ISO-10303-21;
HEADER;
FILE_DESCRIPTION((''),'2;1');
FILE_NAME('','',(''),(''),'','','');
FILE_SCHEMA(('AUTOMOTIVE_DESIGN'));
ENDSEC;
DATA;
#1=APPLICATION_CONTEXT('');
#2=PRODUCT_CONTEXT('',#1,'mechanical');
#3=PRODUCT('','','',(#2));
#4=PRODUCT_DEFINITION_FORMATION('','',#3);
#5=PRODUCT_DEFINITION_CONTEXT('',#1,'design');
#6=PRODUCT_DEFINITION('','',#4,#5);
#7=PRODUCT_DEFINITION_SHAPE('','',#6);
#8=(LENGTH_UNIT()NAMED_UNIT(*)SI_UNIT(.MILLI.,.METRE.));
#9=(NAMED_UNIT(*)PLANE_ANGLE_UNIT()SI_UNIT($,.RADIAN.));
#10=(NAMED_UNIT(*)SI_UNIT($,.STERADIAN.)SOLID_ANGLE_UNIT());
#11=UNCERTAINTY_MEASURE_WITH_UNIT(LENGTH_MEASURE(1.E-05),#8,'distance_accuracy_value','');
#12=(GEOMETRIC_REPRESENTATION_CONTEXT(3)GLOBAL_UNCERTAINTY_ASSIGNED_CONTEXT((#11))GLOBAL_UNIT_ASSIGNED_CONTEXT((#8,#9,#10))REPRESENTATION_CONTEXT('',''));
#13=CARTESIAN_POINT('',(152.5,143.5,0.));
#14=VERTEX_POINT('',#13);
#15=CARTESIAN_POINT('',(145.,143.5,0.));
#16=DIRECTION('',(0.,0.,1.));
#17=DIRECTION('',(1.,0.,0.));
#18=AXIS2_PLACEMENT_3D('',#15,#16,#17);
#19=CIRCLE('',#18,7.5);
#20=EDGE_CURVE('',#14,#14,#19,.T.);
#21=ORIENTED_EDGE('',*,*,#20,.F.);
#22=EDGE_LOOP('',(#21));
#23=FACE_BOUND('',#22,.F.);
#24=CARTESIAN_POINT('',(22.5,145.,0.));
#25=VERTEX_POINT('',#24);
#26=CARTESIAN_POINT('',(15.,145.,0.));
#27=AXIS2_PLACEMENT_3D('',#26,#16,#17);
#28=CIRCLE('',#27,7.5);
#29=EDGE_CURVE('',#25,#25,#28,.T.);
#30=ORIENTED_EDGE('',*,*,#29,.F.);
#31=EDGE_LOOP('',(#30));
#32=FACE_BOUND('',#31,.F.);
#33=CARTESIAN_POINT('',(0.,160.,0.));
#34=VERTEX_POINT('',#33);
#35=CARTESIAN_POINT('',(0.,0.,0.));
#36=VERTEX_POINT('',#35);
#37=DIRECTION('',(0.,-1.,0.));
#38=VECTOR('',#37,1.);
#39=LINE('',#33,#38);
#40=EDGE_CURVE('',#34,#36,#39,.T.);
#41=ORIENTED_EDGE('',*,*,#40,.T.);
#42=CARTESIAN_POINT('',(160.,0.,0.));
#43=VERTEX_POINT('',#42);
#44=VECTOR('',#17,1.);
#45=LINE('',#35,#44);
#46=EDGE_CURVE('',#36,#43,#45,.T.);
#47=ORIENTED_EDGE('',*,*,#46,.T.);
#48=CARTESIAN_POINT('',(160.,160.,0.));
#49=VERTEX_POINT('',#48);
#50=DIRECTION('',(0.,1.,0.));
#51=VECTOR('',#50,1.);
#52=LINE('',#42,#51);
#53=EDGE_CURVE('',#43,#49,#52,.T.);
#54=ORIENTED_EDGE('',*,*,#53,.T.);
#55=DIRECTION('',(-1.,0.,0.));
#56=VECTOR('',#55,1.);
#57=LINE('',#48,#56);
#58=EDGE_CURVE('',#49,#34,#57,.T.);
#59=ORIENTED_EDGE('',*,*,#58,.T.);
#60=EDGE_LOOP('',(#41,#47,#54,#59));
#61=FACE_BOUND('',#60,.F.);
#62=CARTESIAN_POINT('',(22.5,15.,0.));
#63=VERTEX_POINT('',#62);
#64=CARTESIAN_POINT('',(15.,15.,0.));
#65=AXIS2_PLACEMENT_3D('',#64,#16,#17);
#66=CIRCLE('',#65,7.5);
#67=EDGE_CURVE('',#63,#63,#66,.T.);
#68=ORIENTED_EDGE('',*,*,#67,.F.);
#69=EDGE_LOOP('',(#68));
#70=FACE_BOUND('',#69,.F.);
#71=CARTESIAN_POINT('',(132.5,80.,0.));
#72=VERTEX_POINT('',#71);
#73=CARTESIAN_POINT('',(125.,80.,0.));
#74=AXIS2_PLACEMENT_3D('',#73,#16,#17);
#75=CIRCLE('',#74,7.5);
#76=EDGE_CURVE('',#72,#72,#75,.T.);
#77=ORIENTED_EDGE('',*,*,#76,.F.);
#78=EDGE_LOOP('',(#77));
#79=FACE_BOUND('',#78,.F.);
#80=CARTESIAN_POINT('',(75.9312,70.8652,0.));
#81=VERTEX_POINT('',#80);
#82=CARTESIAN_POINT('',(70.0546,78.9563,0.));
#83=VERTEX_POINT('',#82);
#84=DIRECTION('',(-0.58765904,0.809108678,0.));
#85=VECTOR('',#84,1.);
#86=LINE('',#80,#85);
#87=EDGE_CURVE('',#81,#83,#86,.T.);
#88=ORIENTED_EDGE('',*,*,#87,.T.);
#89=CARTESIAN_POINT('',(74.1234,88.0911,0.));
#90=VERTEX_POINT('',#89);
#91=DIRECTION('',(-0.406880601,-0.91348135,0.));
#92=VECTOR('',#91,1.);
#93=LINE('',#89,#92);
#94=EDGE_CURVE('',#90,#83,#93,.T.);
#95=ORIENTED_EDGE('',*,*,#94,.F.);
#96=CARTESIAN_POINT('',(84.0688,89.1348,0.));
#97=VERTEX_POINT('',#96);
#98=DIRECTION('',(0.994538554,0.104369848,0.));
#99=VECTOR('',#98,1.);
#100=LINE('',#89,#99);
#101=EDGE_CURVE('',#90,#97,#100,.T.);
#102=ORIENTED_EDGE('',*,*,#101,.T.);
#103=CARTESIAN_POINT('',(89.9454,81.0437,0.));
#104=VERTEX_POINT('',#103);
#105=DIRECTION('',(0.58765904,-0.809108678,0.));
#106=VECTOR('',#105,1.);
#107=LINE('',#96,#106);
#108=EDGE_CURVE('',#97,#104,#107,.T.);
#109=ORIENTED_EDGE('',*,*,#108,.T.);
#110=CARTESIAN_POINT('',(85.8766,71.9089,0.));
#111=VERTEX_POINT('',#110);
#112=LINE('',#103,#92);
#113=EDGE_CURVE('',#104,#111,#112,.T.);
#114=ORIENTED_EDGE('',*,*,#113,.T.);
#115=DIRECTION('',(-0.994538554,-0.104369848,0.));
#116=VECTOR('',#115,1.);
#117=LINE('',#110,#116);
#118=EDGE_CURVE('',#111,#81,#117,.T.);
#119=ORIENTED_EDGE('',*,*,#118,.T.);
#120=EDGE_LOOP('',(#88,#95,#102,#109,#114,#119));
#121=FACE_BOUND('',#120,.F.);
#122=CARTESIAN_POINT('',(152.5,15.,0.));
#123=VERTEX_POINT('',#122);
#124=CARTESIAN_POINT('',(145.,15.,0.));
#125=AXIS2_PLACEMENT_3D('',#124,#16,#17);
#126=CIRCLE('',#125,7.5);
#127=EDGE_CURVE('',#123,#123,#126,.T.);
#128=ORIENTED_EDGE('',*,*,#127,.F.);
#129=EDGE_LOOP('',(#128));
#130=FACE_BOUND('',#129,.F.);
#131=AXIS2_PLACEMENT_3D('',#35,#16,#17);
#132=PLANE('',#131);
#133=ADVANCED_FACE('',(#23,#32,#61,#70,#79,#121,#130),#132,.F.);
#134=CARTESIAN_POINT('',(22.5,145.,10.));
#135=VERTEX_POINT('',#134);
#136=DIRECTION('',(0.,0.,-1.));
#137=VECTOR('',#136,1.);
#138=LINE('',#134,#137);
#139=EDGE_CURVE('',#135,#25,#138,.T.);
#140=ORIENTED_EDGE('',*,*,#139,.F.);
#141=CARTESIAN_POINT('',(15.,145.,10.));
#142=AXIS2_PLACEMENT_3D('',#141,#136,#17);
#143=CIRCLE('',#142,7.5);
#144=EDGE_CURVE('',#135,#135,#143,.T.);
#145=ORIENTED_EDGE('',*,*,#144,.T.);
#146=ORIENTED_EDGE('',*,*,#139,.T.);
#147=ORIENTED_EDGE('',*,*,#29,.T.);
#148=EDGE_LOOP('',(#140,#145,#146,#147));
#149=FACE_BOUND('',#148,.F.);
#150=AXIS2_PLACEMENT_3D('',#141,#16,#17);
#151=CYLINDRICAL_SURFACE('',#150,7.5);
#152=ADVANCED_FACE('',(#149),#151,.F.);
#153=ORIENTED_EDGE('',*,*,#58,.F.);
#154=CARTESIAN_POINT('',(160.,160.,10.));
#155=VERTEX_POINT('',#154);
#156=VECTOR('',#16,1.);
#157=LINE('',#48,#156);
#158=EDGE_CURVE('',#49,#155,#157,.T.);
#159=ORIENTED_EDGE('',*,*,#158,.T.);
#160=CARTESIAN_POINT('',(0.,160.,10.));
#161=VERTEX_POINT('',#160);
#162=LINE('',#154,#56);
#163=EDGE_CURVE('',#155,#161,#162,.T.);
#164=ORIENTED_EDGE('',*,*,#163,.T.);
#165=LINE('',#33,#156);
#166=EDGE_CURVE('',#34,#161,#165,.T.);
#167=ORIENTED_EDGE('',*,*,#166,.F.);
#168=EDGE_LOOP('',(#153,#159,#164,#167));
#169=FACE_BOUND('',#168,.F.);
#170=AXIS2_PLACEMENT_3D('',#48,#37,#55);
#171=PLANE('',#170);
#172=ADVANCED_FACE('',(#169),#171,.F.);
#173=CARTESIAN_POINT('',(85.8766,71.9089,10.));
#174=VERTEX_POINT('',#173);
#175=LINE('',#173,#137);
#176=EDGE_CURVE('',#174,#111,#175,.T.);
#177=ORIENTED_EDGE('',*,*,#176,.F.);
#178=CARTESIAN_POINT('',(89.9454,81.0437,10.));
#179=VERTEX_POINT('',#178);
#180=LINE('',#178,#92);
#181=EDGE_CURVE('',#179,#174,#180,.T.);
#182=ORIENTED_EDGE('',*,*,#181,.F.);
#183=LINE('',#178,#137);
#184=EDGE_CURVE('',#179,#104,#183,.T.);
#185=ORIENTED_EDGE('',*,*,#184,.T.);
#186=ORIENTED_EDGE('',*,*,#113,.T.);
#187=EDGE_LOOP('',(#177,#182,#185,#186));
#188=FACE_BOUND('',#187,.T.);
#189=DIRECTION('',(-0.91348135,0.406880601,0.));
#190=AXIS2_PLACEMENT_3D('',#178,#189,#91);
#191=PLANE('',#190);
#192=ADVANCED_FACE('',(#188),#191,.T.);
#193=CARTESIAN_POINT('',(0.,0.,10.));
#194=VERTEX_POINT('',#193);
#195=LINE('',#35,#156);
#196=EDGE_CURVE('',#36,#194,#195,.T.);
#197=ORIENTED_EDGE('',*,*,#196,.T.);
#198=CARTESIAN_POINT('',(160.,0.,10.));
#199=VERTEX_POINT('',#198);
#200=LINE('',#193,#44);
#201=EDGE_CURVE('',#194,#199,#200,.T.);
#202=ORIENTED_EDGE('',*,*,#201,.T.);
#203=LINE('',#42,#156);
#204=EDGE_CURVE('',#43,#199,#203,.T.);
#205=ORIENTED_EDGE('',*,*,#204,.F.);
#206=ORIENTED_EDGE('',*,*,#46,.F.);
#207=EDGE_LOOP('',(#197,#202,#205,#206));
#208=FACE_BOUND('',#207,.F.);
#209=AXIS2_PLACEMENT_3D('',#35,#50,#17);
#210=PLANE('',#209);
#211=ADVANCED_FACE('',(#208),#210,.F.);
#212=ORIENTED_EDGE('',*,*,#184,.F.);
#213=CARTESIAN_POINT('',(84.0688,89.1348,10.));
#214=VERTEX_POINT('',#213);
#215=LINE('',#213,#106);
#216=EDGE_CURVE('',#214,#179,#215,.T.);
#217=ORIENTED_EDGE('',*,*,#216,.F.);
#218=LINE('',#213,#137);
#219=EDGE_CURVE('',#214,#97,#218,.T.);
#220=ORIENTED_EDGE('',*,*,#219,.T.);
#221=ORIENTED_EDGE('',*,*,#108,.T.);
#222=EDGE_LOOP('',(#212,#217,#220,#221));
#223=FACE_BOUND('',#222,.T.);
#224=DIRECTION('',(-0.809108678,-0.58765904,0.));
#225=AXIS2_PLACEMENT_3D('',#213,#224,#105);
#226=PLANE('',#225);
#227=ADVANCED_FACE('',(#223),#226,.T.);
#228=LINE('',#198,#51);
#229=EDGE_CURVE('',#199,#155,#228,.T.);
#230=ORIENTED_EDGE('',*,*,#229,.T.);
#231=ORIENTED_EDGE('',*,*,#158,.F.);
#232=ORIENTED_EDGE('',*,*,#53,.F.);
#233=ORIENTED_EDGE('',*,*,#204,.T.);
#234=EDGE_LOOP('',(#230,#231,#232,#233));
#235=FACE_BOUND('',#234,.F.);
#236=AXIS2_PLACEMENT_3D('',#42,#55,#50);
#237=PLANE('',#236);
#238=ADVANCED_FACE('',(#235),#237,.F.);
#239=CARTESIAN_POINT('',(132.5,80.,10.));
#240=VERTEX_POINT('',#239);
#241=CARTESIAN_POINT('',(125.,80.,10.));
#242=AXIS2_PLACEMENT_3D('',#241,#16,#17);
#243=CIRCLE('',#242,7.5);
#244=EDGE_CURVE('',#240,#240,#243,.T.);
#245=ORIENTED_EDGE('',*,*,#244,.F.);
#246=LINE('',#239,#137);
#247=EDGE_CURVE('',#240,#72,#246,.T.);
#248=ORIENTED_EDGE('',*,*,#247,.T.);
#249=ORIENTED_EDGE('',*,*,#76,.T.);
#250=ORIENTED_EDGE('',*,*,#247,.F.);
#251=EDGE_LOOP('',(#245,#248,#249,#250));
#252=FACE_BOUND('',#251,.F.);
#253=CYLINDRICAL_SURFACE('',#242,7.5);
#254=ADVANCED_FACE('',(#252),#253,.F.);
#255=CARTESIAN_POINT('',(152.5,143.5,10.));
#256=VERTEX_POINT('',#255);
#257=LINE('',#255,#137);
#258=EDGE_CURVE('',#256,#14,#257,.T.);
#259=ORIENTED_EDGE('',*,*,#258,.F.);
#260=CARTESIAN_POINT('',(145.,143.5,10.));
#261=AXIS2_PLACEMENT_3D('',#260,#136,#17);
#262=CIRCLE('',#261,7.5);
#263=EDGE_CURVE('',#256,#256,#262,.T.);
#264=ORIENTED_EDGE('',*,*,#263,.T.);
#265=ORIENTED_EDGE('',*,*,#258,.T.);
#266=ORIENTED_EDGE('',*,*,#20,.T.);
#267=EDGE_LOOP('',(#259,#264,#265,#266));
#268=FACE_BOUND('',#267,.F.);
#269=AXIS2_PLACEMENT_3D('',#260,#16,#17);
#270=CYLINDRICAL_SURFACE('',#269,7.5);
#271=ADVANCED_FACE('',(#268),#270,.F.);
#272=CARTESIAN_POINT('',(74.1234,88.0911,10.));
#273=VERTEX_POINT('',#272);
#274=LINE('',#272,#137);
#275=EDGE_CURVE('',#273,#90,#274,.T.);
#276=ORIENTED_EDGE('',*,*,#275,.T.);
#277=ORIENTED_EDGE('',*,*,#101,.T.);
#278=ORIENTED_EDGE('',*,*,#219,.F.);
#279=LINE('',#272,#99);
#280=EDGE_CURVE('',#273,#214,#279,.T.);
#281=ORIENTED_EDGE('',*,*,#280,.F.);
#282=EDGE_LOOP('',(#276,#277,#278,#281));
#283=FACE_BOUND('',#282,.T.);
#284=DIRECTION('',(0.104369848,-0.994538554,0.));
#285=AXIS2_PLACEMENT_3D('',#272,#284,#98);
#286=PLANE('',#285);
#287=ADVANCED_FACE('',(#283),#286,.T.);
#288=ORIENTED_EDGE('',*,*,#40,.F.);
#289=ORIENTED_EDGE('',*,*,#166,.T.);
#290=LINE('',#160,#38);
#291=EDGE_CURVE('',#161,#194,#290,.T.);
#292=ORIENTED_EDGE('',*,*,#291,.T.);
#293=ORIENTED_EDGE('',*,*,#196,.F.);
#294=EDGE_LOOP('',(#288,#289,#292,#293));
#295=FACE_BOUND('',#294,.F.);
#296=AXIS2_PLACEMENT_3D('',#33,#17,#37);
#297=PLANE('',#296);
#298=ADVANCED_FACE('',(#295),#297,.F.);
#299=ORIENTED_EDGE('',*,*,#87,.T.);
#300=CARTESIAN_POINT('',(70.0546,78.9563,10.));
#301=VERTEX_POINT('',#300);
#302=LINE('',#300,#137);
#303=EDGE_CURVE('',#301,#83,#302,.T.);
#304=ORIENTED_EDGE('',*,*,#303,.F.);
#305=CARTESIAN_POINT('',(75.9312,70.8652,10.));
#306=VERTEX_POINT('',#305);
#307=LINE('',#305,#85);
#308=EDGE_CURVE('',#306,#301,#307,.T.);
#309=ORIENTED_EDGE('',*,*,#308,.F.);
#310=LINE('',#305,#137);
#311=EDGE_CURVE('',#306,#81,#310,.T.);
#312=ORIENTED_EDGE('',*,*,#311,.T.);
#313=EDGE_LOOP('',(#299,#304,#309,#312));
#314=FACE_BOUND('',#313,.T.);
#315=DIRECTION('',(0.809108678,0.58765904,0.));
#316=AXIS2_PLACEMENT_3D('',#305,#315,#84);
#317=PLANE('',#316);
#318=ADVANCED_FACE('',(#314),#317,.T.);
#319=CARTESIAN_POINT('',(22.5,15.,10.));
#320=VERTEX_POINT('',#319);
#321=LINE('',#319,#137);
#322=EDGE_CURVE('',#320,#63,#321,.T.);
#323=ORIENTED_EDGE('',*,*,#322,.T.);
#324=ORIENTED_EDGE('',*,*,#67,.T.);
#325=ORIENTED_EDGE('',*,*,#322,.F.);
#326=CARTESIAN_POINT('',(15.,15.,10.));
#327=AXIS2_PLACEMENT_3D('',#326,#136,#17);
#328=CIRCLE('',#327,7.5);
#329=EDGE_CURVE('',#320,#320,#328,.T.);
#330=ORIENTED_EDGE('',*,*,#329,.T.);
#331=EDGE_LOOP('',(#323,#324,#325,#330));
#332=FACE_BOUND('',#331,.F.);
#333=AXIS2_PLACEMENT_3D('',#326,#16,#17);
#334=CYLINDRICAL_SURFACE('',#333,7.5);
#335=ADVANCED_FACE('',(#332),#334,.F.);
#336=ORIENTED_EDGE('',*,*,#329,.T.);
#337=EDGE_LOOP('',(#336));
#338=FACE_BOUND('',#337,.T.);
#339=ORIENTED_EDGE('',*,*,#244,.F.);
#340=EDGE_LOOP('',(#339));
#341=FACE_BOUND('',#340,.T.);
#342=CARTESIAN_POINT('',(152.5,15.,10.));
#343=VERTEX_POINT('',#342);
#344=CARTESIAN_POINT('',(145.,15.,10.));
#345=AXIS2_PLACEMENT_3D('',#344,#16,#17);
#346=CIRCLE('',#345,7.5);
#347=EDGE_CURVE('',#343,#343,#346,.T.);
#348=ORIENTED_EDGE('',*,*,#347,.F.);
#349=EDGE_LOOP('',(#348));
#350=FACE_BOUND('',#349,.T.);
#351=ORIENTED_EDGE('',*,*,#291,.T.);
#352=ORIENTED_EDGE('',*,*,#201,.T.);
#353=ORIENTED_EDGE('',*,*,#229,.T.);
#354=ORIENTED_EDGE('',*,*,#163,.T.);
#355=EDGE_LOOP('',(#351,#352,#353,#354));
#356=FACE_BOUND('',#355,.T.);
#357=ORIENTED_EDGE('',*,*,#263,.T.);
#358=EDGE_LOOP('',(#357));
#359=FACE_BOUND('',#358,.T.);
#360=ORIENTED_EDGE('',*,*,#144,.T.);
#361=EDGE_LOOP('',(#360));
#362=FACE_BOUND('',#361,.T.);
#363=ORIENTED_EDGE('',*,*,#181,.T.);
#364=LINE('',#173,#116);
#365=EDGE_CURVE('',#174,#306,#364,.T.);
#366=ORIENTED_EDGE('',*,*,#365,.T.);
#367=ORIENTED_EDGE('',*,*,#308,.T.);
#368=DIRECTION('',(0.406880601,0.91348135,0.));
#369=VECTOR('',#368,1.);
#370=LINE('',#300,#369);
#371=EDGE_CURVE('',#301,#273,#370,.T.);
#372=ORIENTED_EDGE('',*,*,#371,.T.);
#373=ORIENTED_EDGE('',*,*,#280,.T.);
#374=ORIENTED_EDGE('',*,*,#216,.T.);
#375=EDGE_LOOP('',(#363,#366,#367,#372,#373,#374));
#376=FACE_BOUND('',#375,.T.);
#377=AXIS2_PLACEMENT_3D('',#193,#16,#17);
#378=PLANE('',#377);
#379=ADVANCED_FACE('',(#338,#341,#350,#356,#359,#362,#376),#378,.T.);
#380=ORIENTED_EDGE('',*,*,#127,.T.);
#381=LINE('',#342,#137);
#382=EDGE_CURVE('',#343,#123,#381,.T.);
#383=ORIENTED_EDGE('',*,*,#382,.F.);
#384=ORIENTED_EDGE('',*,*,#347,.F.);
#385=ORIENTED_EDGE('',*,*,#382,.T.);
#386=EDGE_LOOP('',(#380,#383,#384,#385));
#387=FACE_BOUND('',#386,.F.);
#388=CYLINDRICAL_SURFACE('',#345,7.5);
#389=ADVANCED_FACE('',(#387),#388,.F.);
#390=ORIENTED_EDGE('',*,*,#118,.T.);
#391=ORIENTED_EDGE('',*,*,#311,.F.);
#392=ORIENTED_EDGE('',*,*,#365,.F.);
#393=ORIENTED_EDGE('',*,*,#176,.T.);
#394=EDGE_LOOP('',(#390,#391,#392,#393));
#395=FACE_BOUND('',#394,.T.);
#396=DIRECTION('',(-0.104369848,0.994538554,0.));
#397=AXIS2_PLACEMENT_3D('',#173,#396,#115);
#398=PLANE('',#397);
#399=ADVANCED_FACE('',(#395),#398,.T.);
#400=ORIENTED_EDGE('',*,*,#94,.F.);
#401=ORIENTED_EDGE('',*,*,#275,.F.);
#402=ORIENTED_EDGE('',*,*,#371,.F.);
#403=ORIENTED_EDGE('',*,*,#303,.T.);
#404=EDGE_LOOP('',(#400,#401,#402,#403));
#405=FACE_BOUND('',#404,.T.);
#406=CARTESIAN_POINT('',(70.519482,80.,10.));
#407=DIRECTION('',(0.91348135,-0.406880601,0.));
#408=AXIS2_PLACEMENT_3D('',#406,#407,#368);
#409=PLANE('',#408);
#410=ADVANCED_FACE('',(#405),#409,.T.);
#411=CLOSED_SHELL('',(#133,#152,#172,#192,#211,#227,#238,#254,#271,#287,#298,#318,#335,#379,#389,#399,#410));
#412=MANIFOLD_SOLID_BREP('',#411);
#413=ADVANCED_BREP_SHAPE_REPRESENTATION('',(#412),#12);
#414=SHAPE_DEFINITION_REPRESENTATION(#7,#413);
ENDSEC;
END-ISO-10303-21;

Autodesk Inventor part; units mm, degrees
ref_plane "YZ Plane" through (0, 0, 0) normal (1, 0, 0) x (0, 1, 0)
ref_plane "XZ Plane" through (0, 0, 0) normal (0, 1, 0) x (-1, 0, 0)
ref_plane "XY Plane" through (0, 0, 0) normal (0, 0, 1) x (1, 0, 0)
sketch "Sketch1" plane through (0, 0, 0) normal (0, 0, 1) x (1, 0, 0)
  line L0 (0, 0) -> (160, 0)
  line L1 (160, 0) -> (160, 160)
  line L2 (160, 160) -> (0, 160)
  line L3 (0, 160) -> (0, 0)
  dimension "d0" = 160
  dimension "d1" = 160
extrude "Extrusion1" add sketch "Sketch1" along normal blind 10
sketch "Sketch2" plane through (0, 0, 10) normal (0, 0, 1) x (1, 0, 0)
  line L0 (0, 0) -> (160, 0) projected
  line L1 (0, 0) -> (15, 0)
  line L2 (15, 0) -> (15, 15)
  line L3 (160, 160) -> (0, 160) projected
  line L4 (0, 160) -> (15, 160)
  line L5 (15, 160) -> (15, 145)
  line L6 (160, 0) -> (160, 160) projected
  line L7 (160, 160) -> (145, 160)
  line L8 (145, 160) -> (145, 143.5)
  line L9 (160, 0) -> (160, 15)
  line L10 (160, 15) -> (145, 15)
  circle A0 centre (15, 145) radius 7.5
  circle A1 centre (145, 143.5) radius 7.5
  circle A2 centre (145, 15) radius 7.5
  circle A3 centre (15, 15) radius 7.5
  dimension "d4" = 15
  dimension "d5" = 15
  dimension "d6" = 15
  dimension "d7" = 15
  dimension "d8" = 15
  dimension "d9" = 16.5
  dimension "d10" = 15
  dimension "d11" = 15
  dimension "d12" = 15
  dimension "d13" = 15
  dimension "d14" = 15
  dimension "d15" = 15
extrude "Extrusion2" cut sketch "Sketch2" against normal blind 10
sketch "Sketch3" plane through (0, 0, 10) normal (0, 0, 1) x (1, 0, 0)
  line L0 (0, 160) -> (0, 0) projected
  line L1 (0, 0) -> (80, 0)
  line L2 (0, 0) -> (160, 0) projected
  line L3 (80, 0) -> (0, 0)
  line L4 (0, 0) -> (80, 0)
  dimension "d18" = 80
  dimension "d19" = 80
  dimension "d20" = 80
sketch "Sketch4" plane through (0, 0, 10) normal (0, 0, 1) x (1, 0, 0)
  line L0 (0, 0) -> (160, 0) projected
  line L1 (0, 0) -> (0, 80)
  line L2 (0, 160) -> (0, 0) projected
  dimension "d21" = 80
sketch "Sketch5" plane through (0, 0, 10) normal (0, 0, 1) x (1, 0, 0)
  line L0 (0, 160) -> (0, 0) projected
  line L1 (0, 80) -> (80, 80)
  line L2 (84.0688, 89.1348) -> (89.9454, 81.0437)
  line L3 (89.9454, 81.0437) -> (85.8766, 71.9089)
  line L4 (85.8766, 71.9089) -> (75.9312, 70.8652)
  line L5 (75.9312, 70.8652) -> (70.0546, 78.9563)
  line L6 (70.0546, 78.9563) -> (74.1234, 88.0911)
  line L7 (74.1234, 88.0911) -> (84.0688, 89.1348)
  dimension "d22" = 80
  dimension "d23" = 10
extrude "Extrusion3" cut sketch "Sketch5" against normal blind 10
sketch "Sketch6" plane through (0, 0, 10) normal (0, 0, 1) x (1, 0, 0)
  line L0 (160, 0) -> (160, 160) projected
  line L1 (160, 0) -> (160, 80)
  point P0 (0, 0)
  dimension "d26" = 80
sketch "Sketch7" plane through (0, 0, 10) normal (0, 0, 1) x (1, 0, 0)
  line L0 (160, 0) -> (160, 160) projected
  line L1 (160, 80) -> (125, 80)
  circle A0 centre (125, 80) radius 7.5
  point P0 (0, 0)
  dimension "d27" = 35
  dimension "d28" = 15
extrude "Extrusion4" cut sketch "Sketch7" against normal blind 10
properties part number "101"
